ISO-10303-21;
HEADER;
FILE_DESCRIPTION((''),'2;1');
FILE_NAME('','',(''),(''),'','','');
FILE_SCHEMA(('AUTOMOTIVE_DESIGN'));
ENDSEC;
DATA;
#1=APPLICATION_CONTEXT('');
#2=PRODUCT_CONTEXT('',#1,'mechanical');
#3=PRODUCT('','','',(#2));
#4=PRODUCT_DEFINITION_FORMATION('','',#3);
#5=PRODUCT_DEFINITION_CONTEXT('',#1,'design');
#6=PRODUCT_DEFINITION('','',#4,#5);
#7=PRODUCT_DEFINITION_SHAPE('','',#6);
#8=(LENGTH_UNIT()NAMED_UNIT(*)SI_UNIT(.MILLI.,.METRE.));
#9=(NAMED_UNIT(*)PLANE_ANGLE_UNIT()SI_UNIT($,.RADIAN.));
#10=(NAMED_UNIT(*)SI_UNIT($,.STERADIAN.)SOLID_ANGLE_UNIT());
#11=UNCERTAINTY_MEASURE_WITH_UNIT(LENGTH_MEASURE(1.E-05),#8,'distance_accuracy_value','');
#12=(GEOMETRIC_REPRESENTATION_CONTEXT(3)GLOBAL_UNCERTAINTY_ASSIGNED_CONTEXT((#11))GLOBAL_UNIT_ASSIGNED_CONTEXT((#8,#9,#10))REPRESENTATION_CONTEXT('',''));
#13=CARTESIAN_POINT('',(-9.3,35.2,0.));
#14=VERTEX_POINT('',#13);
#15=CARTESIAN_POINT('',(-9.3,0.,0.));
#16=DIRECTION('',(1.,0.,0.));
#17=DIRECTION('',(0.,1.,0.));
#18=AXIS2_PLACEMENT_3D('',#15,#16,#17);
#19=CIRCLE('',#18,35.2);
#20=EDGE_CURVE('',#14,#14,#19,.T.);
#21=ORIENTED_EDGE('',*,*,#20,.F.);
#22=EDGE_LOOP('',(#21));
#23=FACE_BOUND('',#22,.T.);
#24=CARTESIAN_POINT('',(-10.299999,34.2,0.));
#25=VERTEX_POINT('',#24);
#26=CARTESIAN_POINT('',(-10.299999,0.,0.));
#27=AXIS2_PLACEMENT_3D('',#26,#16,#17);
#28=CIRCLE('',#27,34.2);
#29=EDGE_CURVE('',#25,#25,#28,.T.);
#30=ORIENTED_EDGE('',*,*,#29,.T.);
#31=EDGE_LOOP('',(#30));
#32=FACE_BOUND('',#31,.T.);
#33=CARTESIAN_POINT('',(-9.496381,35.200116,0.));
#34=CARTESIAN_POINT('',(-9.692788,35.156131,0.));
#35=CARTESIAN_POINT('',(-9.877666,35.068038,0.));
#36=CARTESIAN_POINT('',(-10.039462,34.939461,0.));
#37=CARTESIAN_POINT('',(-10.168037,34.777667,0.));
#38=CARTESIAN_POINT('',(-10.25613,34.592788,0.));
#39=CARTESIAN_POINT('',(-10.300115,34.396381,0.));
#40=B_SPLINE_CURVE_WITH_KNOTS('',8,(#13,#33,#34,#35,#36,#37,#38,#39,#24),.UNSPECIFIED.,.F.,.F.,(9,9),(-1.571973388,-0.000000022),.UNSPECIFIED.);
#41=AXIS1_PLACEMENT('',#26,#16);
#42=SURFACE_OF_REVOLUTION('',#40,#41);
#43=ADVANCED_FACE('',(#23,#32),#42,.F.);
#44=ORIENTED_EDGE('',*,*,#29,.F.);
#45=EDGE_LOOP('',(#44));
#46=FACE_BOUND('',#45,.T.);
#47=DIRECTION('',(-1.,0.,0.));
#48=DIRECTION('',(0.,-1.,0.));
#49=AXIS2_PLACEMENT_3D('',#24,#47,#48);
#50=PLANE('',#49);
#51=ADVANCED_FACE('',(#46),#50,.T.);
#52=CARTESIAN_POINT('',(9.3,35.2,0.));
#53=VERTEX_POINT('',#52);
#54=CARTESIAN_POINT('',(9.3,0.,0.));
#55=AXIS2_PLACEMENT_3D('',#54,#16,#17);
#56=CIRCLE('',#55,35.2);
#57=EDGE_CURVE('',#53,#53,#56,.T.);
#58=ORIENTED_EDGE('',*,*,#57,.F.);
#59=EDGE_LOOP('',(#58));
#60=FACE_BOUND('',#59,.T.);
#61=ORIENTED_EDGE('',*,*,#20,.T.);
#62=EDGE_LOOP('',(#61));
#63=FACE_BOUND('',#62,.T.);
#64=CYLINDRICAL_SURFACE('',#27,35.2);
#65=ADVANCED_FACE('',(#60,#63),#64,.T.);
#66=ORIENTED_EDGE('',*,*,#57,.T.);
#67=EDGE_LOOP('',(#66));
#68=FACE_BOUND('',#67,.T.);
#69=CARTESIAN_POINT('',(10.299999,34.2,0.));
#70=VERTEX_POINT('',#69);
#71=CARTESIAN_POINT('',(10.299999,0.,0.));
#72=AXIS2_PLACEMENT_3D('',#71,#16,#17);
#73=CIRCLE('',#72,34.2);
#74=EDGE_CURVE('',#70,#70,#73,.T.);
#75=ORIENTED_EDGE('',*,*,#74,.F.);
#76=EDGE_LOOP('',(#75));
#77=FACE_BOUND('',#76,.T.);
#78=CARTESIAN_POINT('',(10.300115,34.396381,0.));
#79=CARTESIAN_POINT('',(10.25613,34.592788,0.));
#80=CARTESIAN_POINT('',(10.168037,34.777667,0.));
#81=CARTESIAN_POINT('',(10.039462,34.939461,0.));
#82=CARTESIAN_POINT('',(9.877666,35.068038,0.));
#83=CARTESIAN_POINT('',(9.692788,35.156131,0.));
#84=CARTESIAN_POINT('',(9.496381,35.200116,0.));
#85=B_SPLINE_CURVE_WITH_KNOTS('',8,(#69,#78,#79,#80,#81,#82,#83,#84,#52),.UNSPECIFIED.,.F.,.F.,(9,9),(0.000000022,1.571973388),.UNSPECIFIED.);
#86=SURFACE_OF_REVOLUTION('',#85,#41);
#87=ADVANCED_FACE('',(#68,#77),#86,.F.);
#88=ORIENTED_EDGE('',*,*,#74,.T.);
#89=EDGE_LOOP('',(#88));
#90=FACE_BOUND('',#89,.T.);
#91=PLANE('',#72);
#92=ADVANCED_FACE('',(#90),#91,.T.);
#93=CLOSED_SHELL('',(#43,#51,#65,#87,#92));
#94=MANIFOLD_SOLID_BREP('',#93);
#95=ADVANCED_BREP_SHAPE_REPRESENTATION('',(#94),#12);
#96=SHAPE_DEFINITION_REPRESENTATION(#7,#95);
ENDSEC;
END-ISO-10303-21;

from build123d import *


with BuildPart() as part:
    # Sketch1 → Revolve1 (revolve)
    with BuildSketch(Plane.XY):
        with BuildLine():
            Line((-10.299999308, 34.2), (-10.299999308, 0))
            Line((-10.299999308, 0), (10.299999308, 0))
            Line((10.299999308, 0), (10.299999308, 34.2))
            add(Edge.make_bspline(
                [(9.3, 35.2), (9.496380937, 35.200115599), (9.692787626, 35.156130585), (9.877666121, 35.068037905), (10.039462243, 34.939461004), (10.168036936, 34.777666811), (10.256129773, 34.592788016), (10.300114951, 34.396381022), (10.299999308, 34.2)],
                knots=[2.2e-08, 2.2e-08, 2.2e-08, 2.2e-08, 2.2e-08, 2.2e-08, 2.2e-08, 2.2e-08, 2.2e-08, 1.571973388, 1.571973388, 1.571973388, 1.571973388, 1.571973388, 1.571973388, 1.571973388, 1.571973388, 1.571973388], degree=8))
            Line((9.3, 35.2), (-9.3, 35.2))
            add(Edge.make_bspline(
                [(-10.299999308, 34.2), (-10.300114951, 34.396381022), (-10.256129773, 34.592788016), (-10.168036936, 34.777666811), (-10.039462243, 34.939461004), (-9.877666121, 35.068037905), (-9.692787626, 35.156130585), (-9.496380937, 35.200115599), (-9.3, 35.2)],
                knots=[-1.571973388, -1.571973388, -1.571973388, -1.571973388, -1.571973388, -1.571973388, -1.571973388, -1.571973388, -1.571973388, -2.2e-08, -2.2e-08, -2.2e-08, -2.2e-08, -2.2e-08, -2.2e-08, -2.2e-08, -2.2e-08, -2.2e-08], degree=8))
        make_face()
    revolve(axis=Axis((-10.299999308, 0, 0), (1, 0, 0)))


solid = part.part
